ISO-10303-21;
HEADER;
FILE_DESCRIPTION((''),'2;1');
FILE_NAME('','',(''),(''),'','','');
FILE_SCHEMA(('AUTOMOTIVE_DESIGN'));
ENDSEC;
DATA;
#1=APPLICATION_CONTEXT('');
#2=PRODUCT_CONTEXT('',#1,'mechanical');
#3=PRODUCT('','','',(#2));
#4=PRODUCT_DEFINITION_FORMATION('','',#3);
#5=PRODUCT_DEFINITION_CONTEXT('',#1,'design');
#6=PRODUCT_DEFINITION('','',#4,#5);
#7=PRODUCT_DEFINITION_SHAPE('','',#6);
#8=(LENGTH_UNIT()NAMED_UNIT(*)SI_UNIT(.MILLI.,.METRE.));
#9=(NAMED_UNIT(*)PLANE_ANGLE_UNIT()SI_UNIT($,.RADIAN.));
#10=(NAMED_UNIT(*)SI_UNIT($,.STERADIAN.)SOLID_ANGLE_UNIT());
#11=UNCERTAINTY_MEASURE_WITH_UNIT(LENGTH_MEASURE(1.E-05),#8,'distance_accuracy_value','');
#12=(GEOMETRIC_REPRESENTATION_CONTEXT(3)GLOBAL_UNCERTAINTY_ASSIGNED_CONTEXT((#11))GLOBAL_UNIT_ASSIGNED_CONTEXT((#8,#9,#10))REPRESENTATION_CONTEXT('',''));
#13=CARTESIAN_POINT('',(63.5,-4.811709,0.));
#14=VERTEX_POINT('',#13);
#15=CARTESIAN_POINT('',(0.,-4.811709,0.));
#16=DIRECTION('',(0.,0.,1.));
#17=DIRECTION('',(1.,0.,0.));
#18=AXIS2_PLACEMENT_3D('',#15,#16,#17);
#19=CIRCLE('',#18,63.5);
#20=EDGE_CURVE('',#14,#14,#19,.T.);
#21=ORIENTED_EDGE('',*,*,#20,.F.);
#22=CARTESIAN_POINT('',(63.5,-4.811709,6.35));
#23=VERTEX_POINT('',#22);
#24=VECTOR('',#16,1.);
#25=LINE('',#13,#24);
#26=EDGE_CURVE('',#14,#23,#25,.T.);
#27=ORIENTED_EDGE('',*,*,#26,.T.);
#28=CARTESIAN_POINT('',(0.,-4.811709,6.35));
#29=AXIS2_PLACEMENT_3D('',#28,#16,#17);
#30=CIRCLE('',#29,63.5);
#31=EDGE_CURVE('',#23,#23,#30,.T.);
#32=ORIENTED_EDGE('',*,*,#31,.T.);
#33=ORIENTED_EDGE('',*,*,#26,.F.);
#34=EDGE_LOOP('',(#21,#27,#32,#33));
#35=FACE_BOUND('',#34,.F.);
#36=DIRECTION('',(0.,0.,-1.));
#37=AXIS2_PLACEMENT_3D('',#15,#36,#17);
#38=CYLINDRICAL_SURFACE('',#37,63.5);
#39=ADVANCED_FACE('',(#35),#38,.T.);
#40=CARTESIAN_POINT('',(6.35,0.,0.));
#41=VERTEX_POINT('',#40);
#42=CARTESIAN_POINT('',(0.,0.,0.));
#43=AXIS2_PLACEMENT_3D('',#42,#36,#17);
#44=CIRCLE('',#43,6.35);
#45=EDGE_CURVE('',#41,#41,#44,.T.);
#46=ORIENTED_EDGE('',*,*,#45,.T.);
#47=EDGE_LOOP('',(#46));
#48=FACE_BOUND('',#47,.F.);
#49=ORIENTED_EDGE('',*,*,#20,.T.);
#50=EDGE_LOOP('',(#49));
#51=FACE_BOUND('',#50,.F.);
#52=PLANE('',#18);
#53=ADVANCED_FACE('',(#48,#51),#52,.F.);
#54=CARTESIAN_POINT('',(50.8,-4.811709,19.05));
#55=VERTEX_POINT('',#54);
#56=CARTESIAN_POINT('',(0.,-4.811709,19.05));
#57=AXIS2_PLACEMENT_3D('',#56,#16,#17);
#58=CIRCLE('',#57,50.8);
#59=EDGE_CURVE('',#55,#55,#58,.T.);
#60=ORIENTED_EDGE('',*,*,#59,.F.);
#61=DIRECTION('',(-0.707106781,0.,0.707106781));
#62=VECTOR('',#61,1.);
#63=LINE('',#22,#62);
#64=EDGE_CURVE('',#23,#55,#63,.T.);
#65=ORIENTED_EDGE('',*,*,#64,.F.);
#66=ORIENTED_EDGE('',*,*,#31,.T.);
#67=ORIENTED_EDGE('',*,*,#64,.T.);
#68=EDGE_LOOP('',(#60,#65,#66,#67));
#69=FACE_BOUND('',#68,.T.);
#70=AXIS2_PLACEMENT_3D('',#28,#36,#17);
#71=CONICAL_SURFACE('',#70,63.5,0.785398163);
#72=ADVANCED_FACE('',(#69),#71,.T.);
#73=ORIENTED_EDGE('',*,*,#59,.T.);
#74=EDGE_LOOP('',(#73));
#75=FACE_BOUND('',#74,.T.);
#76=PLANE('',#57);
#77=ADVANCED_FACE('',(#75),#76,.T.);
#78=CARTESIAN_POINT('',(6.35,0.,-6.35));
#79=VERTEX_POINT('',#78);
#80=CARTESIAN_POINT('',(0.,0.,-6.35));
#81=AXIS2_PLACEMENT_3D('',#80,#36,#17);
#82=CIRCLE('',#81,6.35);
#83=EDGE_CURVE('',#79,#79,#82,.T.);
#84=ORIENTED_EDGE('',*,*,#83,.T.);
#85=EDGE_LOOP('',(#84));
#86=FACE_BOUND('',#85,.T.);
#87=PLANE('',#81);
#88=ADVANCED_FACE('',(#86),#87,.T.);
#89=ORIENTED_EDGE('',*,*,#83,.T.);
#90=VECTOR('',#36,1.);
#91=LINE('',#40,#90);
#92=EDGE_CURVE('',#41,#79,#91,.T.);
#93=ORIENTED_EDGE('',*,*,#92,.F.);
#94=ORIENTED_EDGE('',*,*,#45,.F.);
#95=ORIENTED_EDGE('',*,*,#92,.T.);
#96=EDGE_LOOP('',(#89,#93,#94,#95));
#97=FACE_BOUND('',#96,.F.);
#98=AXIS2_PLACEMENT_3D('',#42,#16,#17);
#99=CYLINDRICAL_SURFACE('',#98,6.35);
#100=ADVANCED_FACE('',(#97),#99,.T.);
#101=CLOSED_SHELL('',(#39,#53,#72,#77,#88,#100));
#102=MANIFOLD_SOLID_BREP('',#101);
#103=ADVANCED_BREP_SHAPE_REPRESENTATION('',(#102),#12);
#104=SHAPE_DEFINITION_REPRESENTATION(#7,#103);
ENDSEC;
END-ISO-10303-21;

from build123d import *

# Parameters (mm, degrees)
F0_R     = 63.5
F1_DEPTH = 19.05
F2_R     = 6.35
F3_DEPTH = 6.35
F4_SIZE  = 12.7


with BuildPart() as f1:
    # F0 (on Top) → F1 (new body)
    with BuildSketch(Plane.XY):
        with Locations((0, -4.811709)):
            Circle(F0_R)
    extrude(amount=F1_DEPTH)

    # F2 (on face) → F3 (join)
    with BuildSketch(Plane(origin=(0, 0, 0), x_dir=(1, 0, 0), z_dir=(0, 0, -1))):
        Circle(F2_R)
    extrude(amount=F3_DEPTH)

    # F4
    f4_edges = [f1.edges().sort_by_distance(p)[0] for p in [
        (-63.5, -4.811709, 19.05),
    ]]
    chamfer(f4_edges, length=F4_SIZE)


solid = f1.part
